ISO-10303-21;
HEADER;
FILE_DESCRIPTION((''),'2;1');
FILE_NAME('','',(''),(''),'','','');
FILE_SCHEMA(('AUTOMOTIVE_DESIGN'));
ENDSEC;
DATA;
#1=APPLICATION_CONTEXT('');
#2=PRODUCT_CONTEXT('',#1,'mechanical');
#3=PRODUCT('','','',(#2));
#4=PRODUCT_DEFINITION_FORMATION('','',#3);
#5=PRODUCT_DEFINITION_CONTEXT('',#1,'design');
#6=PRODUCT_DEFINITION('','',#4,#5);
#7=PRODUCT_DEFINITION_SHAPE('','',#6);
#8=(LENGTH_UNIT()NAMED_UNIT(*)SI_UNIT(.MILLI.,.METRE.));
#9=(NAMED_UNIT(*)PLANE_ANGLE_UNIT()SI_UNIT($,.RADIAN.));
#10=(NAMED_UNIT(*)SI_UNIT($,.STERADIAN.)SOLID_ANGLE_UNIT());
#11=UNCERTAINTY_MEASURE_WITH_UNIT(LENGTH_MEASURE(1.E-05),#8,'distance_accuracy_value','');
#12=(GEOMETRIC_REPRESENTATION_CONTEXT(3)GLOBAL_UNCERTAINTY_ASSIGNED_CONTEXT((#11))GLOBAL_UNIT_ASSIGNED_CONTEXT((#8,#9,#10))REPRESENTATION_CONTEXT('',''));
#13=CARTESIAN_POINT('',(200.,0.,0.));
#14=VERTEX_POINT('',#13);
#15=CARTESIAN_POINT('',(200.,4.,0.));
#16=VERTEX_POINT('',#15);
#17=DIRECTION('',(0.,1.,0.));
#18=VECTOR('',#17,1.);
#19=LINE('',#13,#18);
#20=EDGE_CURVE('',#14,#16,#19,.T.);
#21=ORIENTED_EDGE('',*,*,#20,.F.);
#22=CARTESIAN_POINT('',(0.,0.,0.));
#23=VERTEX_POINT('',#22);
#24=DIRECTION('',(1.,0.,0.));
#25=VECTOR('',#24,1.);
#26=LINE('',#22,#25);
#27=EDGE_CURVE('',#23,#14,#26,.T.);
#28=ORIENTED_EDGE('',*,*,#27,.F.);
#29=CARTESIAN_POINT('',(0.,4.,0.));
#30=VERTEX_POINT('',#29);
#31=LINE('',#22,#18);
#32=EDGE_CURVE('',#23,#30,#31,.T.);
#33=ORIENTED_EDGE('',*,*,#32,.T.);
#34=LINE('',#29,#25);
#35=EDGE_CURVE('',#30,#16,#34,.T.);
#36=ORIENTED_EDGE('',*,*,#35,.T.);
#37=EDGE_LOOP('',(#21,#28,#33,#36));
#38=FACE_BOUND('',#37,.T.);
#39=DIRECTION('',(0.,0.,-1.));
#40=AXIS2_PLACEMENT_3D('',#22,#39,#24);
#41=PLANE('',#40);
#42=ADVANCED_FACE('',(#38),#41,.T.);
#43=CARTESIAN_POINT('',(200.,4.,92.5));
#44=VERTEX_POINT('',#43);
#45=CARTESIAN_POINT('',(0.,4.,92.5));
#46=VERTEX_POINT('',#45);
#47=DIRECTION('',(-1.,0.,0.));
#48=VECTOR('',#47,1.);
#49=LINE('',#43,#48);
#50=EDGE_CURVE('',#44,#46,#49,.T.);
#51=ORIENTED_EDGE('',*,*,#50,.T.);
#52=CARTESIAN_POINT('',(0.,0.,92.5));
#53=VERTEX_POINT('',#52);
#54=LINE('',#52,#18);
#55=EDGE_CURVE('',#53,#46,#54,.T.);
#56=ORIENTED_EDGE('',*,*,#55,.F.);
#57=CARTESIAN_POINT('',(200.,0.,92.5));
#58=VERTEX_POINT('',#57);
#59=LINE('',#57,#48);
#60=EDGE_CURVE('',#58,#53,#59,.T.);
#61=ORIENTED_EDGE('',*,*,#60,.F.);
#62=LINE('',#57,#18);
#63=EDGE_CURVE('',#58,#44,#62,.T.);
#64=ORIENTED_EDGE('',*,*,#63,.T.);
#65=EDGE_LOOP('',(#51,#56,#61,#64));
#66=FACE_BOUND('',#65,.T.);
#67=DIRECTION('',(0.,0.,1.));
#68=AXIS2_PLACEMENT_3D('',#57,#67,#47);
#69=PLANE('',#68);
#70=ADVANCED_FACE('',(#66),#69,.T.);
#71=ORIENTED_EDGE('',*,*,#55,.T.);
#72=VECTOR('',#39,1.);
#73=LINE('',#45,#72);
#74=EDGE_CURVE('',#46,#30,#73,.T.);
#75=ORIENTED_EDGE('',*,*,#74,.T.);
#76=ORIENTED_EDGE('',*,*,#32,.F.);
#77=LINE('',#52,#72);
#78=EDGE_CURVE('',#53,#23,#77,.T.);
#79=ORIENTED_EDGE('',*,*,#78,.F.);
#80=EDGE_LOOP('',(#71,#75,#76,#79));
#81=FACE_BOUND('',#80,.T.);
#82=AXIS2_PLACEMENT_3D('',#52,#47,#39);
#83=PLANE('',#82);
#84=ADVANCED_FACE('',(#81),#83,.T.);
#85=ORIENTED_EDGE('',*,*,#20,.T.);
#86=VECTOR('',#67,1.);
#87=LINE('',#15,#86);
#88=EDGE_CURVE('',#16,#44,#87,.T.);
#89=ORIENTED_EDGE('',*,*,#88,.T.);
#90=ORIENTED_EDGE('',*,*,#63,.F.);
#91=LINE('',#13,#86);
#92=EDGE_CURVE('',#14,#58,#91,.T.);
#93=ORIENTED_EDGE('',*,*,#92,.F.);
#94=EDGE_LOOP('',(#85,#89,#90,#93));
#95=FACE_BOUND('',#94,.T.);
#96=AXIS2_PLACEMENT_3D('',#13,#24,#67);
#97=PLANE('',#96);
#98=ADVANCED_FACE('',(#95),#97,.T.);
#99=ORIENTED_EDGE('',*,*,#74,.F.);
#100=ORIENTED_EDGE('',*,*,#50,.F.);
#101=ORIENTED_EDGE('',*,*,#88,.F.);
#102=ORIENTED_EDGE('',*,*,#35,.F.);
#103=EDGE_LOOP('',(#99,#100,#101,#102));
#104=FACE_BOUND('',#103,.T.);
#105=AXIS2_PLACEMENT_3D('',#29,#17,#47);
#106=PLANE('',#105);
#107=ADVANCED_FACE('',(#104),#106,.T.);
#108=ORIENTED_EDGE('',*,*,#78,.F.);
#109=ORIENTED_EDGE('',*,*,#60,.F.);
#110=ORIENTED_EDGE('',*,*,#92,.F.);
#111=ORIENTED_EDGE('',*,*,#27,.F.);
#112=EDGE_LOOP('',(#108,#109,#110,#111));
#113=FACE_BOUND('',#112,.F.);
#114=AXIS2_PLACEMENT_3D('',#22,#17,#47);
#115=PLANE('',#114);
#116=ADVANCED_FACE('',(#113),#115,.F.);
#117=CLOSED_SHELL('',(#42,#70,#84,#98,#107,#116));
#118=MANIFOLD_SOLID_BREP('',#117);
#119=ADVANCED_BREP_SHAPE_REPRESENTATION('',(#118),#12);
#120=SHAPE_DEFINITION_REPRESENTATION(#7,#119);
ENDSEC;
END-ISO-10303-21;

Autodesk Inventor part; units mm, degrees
ref_plane "YZ Plane" through (0, 0, 0) normal (1, 0, 0) x (0, 1, 0)
ref_plane "XZ Plane" through (0, 0, 0) normal (0, 1, 0) x (-1, 0, 0)
ref_plane "XY Plane" through (0, 0, 0) normal (0, 0, 1) x (1, 0, 0)
sketch "Sketch1" plane through (0, 0, 0) normal (0, 1, 0) x (-1, 0, 0)
  line L0 (0, 0) -> (-200, 0)
  line L1 (-200, 0) -> (-200, 92.5)
  line L2 (-200, 92.5) -> (0, 92.5)
  line L3 (0, 92.5) -> (0, 0)
  dimension "d0" = 200
  dimension "d1" = 92.5
extrude "Extrusion1" add sketch "Sketch1" along normal blind 4
properties part number "GlassSaver"
